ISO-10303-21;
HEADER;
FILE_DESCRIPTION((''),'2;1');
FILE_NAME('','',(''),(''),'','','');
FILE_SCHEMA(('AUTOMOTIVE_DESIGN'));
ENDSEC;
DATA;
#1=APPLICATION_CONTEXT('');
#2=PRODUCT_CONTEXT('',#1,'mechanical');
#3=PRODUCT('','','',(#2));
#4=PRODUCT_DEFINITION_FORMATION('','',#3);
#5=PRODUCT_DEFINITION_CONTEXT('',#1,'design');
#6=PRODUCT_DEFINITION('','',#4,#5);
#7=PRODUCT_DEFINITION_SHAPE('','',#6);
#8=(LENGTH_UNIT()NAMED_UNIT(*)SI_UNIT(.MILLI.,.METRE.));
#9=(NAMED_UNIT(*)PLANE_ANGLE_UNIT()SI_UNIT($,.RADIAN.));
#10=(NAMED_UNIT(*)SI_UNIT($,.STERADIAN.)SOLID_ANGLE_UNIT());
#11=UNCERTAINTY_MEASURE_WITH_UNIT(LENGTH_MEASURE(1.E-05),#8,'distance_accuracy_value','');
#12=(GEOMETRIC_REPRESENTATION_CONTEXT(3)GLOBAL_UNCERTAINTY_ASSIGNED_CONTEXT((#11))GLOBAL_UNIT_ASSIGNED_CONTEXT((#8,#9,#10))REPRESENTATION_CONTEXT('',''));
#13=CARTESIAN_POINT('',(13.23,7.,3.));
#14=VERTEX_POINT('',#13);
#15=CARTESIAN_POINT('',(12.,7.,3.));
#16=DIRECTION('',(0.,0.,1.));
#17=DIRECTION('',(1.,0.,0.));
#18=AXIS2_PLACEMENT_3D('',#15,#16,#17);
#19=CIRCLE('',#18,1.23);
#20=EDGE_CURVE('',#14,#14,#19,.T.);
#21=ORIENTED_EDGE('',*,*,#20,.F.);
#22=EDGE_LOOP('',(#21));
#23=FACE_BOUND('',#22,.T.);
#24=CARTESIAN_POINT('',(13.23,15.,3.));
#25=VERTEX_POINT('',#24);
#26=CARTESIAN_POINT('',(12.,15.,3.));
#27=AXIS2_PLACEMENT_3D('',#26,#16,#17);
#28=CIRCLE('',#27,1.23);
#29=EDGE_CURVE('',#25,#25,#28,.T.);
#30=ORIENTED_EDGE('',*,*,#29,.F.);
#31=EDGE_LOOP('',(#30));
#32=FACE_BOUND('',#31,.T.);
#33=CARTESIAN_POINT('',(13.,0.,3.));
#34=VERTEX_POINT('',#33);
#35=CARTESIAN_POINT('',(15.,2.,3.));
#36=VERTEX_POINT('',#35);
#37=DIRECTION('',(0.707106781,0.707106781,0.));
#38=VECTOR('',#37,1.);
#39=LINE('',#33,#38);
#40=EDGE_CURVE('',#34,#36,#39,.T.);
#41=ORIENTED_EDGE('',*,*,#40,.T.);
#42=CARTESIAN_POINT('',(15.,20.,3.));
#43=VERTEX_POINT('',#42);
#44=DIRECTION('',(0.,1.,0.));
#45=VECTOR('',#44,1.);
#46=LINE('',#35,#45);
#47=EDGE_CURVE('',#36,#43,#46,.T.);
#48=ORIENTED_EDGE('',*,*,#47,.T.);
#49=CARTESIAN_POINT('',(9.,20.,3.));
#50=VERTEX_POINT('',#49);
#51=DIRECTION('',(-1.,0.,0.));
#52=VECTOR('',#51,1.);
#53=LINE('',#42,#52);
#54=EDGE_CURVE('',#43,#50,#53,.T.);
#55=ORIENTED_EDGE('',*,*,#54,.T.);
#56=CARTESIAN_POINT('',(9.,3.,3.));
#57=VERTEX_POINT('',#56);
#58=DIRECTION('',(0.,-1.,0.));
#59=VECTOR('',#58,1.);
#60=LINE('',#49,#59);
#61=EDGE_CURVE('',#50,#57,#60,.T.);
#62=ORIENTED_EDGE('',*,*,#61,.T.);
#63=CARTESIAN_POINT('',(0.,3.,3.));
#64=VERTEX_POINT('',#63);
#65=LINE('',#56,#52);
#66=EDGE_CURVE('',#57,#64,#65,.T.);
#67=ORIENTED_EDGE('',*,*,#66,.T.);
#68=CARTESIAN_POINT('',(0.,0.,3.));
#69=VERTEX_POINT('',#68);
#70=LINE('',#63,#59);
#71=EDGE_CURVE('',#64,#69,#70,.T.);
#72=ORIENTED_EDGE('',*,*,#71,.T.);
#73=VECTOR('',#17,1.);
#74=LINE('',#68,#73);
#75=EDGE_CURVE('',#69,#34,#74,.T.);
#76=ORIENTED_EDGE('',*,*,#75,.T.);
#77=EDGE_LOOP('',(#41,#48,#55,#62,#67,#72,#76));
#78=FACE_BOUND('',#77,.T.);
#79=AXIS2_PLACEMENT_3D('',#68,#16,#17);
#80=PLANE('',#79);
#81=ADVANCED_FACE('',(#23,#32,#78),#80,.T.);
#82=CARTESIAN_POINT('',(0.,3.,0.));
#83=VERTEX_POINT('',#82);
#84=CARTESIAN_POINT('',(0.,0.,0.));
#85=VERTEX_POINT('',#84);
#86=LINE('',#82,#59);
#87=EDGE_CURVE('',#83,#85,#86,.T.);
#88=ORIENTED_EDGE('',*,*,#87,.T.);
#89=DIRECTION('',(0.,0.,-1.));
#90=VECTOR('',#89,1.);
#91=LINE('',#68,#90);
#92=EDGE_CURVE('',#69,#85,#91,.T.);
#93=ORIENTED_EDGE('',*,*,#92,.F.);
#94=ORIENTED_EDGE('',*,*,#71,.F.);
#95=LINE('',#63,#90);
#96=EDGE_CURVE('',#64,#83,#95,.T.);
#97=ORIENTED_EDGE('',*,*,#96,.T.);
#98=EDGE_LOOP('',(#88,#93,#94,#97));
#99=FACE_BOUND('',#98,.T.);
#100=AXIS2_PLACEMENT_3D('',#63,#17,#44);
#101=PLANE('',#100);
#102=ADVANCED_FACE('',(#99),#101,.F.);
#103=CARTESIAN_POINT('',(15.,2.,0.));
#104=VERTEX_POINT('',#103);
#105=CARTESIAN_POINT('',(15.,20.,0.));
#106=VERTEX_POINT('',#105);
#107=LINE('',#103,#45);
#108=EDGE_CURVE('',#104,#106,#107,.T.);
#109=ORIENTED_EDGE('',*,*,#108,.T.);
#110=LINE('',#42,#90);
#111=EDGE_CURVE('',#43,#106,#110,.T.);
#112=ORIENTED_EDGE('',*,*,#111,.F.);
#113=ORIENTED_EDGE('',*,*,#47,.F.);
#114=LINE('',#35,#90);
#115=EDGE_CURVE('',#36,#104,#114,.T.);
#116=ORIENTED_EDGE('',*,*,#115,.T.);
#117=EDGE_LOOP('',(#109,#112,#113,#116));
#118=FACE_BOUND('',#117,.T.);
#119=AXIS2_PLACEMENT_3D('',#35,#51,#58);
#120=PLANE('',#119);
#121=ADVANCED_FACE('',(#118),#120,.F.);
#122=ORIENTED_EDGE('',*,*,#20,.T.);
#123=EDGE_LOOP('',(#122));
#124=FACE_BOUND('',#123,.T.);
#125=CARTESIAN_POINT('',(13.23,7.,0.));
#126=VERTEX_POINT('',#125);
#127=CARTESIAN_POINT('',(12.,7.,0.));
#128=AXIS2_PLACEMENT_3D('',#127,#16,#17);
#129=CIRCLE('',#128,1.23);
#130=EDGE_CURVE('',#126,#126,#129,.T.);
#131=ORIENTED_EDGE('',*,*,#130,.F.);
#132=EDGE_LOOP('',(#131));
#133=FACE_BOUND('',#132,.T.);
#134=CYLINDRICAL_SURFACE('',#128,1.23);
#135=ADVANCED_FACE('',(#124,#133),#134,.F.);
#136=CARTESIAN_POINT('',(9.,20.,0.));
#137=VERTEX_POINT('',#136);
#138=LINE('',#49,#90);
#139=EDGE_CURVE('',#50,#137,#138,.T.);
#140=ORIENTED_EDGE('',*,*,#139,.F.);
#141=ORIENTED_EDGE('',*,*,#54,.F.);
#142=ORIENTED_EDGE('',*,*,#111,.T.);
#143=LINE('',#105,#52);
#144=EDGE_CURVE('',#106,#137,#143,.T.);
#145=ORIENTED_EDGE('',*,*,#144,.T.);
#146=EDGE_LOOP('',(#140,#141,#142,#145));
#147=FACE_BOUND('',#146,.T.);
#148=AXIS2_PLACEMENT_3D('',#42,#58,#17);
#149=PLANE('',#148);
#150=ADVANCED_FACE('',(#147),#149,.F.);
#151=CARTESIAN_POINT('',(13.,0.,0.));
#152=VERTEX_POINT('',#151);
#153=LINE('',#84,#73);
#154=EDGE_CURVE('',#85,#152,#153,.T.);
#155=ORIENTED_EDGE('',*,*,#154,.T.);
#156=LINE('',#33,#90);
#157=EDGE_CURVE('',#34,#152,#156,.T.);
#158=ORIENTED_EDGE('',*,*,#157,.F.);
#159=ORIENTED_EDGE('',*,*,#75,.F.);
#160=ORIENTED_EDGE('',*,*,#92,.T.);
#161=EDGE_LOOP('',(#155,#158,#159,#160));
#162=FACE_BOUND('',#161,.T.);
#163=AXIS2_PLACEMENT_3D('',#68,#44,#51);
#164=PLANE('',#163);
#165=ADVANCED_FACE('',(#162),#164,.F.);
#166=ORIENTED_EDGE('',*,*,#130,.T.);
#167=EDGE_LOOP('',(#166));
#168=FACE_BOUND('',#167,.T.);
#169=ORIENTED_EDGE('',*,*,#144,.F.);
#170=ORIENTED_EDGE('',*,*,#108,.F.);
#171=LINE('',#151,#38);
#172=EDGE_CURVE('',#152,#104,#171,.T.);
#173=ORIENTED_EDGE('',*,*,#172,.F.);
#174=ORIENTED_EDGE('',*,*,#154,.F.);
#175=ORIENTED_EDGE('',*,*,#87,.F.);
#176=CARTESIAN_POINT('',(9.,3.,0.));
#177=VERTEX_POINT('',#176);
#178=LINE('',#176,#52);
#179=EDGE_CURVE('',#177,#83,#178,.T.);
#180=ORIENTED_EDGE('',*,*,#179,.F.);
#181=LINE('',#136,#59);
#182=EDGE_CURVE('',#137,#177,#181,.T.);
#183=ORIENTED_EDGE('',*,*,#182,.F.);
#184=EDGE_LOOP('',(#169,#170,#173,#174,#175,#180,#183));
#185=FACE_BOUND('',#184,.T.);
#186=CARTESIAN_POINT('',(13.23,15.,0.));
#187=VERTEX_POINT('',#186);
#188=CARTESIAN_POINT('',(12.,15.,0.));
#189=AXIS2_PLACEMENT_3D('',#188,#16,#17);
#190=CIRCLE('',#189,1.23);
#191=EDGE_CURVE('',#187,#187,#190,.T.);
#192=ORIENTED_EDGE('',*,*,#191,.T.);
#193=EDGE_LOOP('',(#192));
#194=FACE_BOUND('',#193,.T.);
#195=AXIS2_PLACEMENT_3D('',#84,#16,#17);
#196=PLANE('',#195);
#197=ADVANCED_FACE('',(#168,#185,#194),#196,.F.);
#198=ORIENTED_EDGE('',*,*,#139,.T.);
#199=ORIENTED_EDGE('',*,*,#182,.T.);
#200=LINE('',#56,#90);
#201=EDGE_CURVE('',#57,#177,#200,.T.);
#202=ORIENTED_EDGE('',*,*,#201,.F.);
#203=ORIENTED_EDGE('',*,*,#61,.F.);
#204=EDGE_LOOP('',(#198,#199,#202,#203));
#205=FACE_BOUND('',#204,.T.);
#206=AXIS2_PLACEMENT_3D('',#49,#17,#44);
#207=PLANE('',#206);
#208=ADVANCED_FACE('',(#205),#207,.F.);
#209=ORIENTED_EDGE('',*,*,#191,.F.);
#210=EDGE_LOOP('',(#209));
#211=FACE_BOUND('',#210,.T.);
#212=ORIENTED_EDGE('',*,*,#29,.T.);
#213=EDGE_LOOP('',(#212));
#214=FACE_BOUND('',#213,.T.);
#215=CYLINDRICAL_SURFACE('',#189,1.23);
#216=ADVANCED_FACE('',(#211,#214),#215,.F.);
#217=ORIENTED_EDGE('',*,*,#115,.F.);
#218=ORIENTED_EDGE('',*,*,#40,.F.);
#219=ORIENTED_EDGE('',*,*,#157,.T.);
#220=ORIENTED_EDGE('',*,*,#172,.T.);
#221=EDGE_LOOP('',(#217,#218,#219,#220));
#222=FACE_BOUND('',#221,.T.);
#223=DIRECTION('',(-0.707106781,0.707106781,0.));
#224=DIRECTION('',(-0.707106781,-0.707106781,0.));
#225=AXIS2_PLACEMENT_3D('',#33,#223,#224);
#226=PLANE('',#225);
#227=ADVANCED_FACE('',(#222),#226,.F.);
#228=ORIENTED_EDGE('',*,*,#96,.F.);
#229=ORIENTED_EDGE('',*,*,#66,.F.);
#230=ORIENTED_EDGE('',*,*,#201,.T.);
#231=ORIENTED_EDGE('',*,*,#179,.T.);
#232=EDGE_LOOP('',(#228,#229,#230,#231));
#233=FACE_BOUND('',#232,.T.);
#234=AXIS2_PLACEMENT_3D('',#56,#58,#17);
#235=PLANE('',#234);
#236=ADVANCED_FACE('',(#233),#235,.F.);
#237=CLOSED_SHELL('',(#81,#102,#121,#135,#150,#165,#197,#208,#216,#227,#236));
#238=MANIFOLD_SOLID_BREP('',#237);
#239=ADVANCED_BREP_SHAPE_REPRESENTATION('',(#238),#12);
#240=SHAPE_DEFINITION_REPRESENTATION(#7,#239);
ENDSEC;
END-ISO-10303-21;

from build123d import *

# Parameters (mm, degrees)
BOSS_EXTRUDE1_DEPTH = 3
SKETCH2_R           = 1.23
CUT_EXTRUDE1_DEPTH  = 4


with BuildPart() as part:
    # Sketch1 → Boss-Extrude1 (new body)
    with BuildSketch(Plane.XY):
        Polygon((0, 0), (13, 0), (15, 2), (15, 20), (9, 20), (9, 3), (0, 3), align=None)
    extrude(amount=BOSS_EXTRUDE1_DEPTH)

    # Sketch2 → Cut-Extrude1 (cut, through all)
    with BuildSketch(Plane.XY.offset(3)):
        with Locations((12, 15)):
            Circle(SKETCH2_R)
        with Locations((12, 7)):
            Circle(SKETCH2_R)
    extrude(amount=-CUT_EXTRUDE1_DEPTH, mode=Mode.SUBTRACT)


solid = part.part
